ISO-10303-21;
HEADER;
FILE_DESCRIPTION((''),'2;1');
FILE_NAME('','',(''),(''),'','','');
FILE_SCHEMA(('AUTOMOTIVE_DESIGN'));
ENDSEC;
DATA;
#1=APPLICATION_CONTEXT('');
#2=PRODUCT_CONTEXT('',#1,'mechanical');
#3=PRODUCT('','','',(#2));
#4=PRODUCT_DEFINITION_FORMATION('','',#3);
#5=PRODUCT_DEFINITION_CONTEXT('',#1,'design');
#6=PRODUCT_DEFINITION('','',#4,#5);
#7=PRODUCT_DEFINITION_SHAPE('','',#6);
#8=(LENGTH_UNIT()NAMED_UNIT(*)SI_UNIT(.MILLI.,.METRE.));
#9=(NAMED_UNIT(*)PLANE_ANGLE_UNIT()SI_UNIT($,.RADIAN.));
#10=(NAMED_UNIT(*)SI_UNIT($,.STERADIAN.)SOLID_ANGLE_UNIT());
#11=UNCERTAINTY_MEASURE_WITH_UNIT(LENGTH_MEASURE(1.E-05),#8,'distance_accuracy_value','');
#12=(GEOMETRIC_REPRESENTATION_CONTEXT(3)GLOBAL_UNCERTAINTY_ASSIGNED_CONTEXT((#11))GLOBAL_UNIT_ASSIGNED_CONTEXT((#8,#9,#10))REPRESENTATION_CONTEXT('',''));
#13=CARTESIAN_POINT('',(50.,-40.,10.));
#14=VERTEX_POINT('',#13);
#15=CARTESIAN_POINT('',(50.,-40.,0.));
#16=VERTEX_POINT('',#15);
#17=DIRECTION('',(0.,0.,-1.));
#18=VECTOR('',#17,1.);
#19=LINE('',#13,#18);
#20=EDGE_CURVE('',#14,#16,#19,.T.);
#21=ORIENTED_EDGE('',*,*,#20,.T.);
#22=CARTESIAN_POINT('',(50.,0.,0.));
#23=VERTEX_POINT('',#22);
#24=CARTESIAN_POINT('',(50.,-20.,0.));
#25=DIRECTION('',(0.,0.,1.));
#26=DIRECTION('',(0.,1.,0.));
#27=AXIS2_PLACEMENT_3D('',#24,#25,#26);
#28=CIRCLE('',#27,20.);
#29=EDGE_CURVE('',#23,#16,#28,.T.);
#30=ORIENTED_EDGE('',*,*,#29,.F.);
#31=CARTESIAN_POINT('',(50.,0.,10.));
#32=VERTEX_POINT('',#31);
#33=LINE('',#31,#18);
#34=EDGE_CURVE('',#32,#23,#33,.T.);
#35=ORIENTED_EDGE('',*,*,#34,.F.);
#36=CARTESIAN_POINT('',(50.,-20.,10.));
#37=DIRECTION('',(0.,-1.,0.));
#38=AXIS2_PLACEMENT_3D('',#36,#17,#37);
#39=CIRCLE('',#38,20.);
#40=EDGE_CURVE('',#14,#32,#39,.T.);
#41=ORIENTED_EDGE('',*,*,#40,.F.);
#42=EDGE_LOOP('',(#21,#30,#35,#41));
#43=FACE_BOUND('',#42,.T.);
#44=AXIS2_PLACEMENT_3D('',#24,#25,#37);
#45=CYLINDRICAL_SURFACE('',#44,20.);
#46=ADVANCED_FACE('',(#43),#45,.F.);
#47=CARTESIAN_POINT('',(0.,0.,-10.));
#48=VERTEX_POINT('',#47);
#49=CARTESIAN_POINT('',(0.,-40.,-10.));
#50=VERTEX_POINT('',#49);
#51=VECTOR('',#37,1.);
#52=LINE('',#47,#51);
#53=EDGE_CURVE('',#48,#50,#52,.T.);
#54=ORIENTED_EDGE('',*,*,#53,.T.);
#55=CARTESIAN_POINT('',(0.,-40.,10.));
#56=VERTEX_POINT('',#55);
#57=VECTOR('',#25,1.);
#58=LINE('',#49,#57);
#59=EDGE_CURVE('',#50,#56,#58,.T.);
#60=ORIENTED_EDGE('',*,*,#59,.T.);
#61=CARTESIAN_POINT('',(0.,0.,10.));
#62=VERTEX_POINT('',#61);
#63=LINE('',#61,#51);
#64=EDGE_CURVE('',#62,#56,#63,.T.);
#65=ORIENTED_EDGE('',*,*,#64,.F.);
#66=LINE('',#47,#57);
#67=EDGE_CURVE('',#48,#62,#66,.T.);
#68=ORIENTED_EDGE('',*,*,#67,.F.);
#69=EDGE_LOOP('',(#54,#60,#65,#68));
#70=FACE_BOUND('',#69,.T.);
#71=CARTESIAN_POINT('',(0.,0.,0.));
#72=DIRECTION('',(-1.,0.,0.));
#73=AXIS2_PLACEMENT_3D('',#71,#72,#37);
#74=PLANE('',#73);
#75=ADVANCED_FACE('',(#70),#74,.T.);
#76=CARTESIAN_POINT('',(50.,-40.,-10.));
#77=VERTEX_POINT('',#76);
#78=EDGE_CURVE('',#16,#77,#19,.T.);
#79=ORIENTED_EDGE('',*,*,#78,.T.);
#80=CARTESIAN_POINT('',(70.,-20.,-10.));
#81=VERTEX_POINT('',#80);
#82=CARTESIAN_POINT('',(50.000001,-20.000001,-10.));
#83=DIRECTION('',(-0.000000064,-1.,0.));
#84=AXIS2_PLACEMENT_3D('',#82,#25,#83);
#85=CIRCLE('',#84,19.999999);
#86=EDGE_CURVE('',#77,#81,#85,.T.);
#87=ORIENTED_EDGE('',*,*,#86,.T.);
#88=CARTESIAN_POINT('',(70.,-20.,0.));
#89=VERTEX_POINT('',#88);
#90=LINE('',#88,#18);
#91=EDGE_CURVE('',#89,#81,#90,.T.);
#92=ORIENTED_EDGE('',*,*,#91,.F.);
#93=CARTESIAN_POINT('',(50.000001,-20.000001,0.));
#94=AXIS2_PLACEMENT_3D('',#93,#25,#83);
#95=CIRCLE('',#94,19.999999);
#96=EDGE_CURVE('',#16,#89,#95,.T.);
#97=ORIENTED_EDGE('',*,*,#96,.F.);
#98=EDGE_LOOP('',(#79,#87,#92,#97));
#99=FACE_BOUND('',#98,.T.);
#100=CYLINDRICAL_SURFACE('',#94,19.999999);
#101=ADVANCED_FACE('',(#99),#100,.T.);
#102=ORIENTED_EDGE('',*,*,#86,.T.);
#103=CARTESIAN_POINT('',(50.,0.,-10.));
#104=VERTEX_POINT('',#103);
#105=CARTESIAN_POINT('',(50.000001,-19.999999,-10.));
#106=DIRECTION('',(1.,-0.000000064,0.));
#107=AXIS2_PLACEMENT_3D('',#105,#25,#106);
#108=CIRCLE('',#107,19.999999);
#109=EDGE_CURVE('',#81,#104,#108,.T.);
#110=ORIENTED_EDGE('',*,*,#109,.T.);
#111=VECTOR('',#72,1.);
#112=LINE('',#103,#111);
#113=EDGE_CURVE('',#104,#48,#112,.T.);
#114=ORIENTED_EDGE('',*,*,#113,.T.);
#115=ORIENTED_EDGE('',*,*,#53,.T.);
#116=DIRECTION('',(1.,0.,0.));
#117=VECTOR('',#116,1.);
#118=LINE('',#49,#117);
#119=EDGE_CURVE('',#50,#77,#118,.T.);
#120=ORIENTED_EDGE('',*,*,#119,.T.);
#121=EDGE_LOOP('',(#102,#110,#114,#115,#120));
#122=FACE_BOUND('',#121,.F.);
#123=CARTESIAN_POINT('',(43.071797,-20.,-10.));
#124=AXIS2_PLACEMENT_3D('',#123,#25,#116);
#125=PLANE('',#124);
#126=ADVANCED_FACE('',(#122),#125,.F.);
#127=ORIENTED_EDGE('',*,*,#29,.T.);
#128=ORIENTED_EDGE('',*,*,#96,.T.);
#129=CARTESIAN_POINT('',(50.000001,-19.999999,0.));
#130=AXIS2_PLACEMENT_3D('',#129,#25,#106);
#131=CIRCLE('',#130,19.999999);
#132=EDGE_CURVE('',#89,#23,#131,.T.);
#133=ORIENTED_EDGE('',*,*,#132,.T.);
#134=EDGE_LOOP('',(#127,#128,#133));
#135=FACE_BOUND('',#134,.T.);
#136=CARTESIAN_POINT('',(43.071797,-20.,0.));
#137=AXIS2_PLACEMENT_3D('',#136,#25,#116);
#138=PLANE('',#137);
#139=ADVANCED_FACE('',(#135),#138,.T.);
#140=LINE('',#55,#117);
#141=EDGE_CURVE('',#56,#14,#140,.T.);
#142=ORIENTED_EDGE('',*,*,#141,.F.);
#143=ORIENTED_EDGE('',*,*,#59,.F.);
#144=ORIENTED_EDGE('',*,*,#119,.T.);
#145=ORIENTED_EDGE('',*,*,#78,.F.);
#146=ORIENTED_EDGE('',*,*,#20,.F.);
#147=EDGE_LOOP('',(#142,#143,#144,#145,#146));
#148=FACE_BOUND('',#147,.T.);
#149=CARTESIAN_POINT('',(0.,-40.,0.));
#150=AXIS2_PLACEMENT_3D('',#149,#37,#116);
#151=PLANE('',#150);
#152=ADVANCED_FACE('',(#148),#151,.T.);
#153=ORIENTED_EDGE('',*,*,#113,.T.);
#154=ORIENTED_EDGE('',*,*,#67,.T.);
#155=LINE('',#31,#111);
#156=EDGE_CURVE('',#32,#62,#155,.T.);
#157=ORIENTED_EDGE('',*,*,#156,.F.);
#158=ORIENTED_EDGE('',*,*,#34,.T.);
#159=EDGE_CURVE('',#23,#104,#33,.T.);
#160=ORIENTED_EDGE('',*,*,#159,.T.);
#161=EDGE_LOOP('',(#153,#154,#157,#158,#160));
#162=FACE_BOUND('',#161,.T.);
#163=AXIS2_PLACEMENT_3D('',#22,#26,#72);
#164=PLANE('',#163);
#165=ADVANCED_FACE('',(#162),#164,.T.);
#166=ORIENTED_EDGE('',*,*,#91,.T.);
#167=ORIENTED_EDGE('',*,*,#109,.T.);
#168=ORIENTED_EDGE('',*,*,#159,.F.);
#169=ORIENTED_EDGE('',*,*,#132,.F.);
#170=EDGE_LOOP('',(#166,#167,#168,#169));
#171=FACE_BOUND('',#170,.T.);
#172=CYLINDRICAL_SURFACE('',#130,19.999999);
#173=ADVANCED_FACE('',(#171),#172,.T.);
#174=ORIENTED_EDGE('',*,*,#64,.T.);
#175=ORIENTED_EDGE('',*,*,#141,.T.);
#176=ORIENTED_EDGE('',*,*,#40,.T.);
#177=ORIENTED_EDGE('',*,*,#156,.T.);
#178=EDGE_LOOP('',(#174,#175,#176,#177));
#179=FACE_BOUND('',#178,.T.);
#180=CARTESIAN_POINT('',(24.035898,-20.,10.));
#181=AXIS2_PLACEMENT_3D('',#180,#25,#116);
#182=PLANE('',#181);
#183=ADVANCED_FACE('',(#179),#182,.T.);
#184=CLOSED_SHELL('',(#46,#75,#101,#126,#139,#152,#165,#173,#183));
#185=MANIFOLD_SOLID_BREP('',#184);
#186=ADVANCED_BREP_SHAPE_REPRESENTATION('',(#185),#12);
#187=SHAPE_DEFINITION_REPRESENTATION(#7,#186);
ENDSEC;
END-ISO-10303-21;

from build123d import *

# Parameters (mm, degrees)
F1_DEPTH = 10
F2_DEPTH = 10


with BuildPart() as f1:
    # F0 (on Top) → F1 (new body, symmetric)
    with BuildSketch(Plane.XY):
        with BuildLine():
            Line((50, 0), (0, 0))
            Line((0, 0), (0, -40))
            Line((0, -40), (50, -40))
            ThreePointArc((50, -40), (30, -20), (50, 0))
        make_face()
    extrude(amount=F1_DEPTH, both=True)

    # F0 (on Top) → F2 (join)
    with BuildSketch(Plane.XY):
        with BuildLine():
            Line((50, -40), (50, 0))
            ThreePointArc((50, 0), (30, -20), (50, -40))
        make_face()
        with BuildLine():
            ThreePointArc((70, -20), (64.142136, -5.857864), (50, 0))
            Line((50, 0), (50, -40))
            ThreePointArc((50, -40), (64.142136, -34.142136), (70, -20))
        make_face()
    extrude(amount=-F2_DEPTH)


solid = f1.part
